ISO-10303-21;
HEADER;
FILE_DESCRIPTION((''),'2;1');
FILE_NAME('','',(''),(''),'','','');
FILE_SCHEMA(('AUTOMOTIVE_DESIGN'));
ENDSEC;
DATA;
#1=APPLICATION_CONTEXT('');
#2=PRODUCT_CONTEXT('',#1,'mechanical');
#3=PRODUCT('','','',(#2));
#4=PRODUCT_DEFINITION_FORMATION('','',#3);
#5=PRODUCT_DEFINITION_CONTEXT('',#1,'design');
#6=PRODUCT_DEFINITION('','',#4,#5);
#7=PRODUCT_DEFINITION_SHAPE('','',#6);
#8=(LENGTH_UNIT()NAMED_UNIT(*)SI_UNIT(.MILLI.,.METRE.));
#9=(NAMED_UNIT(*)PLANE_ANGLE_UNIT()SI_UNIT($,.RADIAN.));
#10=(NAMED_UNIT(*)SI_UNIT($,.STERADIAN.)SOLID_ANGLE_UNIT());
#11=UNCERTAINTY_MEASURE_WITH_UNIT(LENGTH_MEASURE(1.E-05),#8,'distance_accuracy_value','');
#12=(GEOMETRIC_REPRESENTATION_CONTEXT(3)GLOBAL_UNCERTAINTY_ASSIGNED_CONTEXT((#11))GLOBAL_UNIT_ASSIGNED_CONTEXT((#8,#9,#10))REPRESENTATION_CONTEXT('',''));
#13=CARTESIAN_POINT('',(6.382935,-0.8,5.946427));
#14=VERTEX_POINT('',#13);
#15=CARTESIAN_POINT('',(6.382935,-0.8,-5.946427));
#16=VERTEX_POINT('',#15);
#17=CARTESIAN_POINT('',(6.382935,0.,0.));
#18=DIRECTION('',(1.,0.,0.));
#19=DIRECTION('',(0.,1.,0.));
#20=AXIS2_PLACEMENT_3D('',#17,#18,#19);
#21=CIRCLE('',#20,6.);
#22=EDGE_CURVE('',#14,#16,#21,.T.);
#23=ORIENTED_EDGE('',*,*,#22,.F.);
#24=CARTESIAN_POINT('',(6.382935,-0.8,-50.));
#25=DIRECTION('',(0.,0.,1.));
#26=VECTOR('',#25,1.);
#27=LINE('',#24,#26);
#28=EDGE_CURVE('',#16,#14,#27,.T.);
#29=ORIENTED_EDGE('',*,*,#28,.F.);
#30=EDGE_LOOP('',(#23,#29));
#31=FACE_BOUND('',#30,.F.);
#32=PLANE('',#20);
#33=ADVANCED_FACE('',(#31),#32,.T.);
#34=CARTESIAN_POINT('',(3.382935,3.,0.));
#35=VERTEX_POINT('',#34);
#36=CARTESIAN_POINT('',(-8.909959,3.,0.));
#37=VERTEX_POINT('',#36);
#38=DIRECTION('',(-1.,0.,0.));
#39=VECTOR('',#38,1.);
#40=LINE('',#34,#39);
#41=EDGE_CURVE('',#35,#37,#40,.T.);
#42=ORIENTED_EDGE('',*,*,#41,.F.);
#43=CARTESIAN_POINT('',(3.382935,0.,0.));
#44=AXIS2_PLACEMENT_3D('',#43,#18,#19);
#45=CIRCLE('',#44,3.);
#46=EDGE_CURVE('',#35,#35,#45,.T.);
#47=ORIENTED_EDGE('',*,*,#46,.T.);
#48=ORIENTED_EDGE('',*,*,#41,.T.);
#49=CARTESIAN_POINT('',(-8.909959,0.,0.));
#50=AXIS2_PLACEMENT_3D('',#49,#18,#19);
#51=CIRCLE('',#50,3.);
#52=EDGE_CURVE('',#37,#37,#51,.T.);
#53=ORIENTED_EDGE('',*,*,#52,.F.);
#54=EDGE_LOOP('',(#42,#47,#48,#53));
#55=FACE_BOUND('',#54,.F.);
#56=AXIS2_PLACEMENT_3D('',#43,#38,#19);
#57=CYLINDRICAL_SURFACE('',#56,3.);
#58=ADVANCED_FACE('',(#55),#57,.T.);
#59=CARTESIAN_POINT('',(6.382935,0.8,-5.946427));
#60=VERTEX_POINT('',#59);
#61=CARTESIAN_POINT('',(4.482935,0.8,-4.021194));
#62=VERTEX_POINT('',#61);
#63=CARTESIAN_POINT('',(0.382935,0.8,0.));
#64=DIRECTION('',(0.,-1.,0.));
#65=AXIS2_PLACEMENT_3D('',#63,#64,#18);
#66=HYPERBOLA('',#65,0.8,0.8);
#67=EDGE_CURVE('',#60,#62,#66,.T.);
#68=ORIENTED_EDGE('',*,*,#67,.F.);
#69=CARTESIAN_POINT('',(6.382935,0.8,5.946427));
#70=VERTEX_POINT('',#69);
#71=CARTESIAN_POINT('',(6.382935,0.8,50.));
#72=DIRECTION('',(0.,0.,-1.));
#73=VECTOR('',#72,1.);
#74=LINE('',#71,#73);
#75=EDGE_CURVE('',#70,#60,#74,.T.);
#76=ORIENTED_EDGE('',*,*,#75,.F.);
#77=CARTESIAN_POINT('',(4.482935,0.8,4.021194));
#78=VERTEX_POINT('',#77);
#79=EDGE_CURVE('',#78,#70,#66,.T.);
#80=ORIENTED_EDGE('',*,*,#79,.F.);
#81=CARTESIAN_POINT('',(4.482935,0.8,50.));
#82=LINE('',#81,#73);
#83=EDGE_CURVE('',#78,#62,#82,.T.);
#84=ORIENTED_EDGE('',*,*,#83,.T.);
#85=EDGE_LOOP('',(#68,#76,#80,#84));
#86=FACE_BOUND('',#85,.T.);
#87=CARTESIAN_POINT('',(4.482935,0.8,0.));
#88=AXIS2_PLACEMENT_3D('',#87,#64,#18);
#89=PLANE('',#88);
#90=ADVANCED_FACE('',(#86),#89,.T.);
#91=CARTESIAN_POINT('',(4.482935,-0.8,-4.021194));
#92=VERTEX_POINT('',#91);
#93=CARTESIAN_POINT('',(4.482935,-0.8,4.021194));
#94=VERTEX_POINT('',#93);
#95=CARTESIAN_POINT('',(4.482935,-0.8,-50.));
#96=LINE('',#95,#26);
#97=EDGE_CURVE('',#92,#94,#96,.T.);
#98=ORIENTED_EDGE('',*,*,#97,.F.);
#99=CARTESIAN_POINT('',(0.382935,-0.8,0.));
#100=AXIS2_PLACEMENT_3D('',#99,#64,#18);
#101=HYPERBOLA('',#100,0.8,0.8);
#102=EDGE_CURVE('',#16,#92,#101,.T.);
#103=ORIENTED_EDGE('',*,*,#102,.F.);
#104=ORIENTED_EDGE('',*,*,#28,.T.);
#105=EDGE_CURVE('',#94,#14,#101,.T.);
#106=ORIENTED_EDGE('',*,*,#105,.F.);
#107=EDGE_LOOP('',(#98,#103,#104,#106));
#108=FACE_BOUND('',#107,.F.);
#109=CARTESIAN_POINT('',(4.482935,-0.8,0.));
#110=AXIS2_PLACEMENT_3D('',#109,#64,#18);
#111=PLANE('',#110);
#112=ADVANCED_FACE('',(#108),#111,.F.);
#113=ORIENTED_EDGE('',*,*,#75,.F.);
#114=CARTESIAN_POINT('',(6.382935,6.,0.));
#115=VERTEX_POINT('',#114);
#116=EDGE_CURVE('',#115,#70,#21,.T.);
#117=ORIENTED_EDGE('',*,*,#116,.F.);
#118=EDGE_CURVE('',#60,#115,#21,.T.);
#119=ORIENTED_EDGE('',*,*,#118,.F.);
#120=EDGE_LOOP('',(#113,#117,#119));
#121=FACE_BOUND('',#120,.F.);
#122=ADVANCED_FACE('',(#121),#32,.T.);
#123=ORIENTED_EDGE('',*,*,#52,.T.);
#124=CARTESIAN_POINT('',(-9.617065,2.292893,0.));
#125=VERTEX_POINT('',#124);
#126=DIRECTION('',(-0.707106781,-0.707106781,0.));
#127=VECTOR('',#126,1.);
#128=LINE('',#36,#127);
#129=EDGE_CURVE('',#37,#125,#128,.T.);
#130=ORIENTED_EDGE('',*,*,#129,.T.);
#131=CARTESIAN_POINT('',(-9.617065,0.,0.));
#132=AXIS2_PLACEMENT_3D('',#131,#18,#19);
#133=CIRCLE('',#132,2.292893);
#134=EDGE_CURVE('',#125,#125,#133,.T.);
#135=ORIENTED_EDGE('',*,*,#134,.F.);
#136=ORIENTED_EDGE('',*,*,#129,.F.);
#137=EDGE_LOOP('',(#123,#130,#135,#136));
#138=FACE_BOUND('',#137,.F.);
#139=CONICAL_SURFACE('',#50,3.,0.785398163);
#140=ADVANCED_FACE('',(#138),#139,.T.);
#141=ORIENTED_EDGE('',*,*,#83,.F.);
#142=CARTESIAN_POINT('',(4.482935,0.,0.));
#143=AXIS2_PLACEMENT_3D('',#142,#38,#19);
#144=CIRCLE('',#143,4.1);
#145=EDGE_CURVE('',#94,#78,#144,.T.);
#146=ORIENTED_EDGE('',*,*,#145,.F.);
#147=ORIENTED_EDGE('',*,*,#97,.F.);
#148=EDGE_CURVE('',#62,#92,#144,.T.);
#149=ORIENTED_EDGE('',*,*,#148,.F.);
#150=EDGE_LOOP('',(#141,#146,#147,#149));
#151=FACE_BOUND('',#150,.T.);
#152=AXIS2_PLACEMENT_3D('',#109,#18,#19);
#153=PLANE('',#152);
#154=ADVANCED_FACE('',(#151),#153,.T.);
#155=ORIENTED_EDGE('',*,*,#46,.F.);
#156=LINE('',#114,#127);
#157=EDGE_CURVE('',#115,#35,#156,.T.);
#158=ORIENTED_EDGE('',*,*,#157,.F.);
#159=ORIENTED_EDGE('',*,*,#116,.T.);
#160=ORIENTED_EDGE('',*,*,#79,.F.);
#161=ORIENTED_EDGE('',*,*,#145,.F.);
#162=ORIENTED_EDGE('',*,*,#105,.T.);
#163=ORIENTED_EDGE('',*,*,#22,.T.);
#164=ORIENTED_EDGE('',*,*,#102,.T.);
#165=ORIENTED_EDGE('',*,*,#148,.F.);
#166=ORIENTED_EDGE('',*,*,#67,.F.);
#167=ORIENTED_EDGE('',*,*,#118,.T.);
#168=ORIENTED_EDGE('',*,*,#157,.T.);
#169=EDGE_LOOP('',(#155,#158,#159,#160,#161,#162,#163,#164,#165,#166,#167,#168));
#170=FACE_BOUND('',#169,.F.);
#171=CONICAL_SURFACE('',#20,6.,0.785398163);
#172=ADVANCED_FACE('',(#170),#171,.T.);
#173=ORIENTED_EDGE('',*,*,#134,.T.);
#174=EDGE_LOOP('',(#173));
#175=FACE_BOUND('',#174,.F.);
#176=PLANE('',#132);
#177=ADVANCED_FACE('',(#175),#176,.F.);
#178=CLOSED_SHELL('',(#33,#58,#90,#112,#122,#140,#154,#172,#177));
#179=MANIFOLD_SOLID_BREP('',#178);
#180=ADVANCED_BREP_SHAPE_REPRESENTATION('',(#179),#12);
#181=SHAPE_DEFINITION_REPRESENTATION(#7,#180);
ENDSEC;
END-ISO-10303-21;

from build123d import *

# Parameters (mm, degrees)
SKETCH2_W          = 1.9
SKETCH2_H          = 1.6
CUT_EXTRUDE1_DEPTH = 50


with BuildPart() as part:
    # Sketch1 → Revolve1 (revolve)
    with BuildSketch(Plane.XY):
        Polygon((6.382934587, 0), (6.382934587, 6), (3.382934587, 3), (-8.909958632, 3), (-9.617065413, 2.292893219), (-9.617065413, 0), align=None)
    revolve(axis=Axis((-31.290557053, 0, 0), (1, 0, 0)))

    # Sketch2 → Cut-Extrude1 (cut, symmetric)
    with BuildSketch(Plane.XY):
        with Locations((5.432934587, 0)):
            Rectangle(SKETCH2_W, SKETCH2_H)
    extrude(amount=CUT_EXTRUDE1_DEPTH, both=True, mode=Mode.SUBTRACT)


solid = part.part
